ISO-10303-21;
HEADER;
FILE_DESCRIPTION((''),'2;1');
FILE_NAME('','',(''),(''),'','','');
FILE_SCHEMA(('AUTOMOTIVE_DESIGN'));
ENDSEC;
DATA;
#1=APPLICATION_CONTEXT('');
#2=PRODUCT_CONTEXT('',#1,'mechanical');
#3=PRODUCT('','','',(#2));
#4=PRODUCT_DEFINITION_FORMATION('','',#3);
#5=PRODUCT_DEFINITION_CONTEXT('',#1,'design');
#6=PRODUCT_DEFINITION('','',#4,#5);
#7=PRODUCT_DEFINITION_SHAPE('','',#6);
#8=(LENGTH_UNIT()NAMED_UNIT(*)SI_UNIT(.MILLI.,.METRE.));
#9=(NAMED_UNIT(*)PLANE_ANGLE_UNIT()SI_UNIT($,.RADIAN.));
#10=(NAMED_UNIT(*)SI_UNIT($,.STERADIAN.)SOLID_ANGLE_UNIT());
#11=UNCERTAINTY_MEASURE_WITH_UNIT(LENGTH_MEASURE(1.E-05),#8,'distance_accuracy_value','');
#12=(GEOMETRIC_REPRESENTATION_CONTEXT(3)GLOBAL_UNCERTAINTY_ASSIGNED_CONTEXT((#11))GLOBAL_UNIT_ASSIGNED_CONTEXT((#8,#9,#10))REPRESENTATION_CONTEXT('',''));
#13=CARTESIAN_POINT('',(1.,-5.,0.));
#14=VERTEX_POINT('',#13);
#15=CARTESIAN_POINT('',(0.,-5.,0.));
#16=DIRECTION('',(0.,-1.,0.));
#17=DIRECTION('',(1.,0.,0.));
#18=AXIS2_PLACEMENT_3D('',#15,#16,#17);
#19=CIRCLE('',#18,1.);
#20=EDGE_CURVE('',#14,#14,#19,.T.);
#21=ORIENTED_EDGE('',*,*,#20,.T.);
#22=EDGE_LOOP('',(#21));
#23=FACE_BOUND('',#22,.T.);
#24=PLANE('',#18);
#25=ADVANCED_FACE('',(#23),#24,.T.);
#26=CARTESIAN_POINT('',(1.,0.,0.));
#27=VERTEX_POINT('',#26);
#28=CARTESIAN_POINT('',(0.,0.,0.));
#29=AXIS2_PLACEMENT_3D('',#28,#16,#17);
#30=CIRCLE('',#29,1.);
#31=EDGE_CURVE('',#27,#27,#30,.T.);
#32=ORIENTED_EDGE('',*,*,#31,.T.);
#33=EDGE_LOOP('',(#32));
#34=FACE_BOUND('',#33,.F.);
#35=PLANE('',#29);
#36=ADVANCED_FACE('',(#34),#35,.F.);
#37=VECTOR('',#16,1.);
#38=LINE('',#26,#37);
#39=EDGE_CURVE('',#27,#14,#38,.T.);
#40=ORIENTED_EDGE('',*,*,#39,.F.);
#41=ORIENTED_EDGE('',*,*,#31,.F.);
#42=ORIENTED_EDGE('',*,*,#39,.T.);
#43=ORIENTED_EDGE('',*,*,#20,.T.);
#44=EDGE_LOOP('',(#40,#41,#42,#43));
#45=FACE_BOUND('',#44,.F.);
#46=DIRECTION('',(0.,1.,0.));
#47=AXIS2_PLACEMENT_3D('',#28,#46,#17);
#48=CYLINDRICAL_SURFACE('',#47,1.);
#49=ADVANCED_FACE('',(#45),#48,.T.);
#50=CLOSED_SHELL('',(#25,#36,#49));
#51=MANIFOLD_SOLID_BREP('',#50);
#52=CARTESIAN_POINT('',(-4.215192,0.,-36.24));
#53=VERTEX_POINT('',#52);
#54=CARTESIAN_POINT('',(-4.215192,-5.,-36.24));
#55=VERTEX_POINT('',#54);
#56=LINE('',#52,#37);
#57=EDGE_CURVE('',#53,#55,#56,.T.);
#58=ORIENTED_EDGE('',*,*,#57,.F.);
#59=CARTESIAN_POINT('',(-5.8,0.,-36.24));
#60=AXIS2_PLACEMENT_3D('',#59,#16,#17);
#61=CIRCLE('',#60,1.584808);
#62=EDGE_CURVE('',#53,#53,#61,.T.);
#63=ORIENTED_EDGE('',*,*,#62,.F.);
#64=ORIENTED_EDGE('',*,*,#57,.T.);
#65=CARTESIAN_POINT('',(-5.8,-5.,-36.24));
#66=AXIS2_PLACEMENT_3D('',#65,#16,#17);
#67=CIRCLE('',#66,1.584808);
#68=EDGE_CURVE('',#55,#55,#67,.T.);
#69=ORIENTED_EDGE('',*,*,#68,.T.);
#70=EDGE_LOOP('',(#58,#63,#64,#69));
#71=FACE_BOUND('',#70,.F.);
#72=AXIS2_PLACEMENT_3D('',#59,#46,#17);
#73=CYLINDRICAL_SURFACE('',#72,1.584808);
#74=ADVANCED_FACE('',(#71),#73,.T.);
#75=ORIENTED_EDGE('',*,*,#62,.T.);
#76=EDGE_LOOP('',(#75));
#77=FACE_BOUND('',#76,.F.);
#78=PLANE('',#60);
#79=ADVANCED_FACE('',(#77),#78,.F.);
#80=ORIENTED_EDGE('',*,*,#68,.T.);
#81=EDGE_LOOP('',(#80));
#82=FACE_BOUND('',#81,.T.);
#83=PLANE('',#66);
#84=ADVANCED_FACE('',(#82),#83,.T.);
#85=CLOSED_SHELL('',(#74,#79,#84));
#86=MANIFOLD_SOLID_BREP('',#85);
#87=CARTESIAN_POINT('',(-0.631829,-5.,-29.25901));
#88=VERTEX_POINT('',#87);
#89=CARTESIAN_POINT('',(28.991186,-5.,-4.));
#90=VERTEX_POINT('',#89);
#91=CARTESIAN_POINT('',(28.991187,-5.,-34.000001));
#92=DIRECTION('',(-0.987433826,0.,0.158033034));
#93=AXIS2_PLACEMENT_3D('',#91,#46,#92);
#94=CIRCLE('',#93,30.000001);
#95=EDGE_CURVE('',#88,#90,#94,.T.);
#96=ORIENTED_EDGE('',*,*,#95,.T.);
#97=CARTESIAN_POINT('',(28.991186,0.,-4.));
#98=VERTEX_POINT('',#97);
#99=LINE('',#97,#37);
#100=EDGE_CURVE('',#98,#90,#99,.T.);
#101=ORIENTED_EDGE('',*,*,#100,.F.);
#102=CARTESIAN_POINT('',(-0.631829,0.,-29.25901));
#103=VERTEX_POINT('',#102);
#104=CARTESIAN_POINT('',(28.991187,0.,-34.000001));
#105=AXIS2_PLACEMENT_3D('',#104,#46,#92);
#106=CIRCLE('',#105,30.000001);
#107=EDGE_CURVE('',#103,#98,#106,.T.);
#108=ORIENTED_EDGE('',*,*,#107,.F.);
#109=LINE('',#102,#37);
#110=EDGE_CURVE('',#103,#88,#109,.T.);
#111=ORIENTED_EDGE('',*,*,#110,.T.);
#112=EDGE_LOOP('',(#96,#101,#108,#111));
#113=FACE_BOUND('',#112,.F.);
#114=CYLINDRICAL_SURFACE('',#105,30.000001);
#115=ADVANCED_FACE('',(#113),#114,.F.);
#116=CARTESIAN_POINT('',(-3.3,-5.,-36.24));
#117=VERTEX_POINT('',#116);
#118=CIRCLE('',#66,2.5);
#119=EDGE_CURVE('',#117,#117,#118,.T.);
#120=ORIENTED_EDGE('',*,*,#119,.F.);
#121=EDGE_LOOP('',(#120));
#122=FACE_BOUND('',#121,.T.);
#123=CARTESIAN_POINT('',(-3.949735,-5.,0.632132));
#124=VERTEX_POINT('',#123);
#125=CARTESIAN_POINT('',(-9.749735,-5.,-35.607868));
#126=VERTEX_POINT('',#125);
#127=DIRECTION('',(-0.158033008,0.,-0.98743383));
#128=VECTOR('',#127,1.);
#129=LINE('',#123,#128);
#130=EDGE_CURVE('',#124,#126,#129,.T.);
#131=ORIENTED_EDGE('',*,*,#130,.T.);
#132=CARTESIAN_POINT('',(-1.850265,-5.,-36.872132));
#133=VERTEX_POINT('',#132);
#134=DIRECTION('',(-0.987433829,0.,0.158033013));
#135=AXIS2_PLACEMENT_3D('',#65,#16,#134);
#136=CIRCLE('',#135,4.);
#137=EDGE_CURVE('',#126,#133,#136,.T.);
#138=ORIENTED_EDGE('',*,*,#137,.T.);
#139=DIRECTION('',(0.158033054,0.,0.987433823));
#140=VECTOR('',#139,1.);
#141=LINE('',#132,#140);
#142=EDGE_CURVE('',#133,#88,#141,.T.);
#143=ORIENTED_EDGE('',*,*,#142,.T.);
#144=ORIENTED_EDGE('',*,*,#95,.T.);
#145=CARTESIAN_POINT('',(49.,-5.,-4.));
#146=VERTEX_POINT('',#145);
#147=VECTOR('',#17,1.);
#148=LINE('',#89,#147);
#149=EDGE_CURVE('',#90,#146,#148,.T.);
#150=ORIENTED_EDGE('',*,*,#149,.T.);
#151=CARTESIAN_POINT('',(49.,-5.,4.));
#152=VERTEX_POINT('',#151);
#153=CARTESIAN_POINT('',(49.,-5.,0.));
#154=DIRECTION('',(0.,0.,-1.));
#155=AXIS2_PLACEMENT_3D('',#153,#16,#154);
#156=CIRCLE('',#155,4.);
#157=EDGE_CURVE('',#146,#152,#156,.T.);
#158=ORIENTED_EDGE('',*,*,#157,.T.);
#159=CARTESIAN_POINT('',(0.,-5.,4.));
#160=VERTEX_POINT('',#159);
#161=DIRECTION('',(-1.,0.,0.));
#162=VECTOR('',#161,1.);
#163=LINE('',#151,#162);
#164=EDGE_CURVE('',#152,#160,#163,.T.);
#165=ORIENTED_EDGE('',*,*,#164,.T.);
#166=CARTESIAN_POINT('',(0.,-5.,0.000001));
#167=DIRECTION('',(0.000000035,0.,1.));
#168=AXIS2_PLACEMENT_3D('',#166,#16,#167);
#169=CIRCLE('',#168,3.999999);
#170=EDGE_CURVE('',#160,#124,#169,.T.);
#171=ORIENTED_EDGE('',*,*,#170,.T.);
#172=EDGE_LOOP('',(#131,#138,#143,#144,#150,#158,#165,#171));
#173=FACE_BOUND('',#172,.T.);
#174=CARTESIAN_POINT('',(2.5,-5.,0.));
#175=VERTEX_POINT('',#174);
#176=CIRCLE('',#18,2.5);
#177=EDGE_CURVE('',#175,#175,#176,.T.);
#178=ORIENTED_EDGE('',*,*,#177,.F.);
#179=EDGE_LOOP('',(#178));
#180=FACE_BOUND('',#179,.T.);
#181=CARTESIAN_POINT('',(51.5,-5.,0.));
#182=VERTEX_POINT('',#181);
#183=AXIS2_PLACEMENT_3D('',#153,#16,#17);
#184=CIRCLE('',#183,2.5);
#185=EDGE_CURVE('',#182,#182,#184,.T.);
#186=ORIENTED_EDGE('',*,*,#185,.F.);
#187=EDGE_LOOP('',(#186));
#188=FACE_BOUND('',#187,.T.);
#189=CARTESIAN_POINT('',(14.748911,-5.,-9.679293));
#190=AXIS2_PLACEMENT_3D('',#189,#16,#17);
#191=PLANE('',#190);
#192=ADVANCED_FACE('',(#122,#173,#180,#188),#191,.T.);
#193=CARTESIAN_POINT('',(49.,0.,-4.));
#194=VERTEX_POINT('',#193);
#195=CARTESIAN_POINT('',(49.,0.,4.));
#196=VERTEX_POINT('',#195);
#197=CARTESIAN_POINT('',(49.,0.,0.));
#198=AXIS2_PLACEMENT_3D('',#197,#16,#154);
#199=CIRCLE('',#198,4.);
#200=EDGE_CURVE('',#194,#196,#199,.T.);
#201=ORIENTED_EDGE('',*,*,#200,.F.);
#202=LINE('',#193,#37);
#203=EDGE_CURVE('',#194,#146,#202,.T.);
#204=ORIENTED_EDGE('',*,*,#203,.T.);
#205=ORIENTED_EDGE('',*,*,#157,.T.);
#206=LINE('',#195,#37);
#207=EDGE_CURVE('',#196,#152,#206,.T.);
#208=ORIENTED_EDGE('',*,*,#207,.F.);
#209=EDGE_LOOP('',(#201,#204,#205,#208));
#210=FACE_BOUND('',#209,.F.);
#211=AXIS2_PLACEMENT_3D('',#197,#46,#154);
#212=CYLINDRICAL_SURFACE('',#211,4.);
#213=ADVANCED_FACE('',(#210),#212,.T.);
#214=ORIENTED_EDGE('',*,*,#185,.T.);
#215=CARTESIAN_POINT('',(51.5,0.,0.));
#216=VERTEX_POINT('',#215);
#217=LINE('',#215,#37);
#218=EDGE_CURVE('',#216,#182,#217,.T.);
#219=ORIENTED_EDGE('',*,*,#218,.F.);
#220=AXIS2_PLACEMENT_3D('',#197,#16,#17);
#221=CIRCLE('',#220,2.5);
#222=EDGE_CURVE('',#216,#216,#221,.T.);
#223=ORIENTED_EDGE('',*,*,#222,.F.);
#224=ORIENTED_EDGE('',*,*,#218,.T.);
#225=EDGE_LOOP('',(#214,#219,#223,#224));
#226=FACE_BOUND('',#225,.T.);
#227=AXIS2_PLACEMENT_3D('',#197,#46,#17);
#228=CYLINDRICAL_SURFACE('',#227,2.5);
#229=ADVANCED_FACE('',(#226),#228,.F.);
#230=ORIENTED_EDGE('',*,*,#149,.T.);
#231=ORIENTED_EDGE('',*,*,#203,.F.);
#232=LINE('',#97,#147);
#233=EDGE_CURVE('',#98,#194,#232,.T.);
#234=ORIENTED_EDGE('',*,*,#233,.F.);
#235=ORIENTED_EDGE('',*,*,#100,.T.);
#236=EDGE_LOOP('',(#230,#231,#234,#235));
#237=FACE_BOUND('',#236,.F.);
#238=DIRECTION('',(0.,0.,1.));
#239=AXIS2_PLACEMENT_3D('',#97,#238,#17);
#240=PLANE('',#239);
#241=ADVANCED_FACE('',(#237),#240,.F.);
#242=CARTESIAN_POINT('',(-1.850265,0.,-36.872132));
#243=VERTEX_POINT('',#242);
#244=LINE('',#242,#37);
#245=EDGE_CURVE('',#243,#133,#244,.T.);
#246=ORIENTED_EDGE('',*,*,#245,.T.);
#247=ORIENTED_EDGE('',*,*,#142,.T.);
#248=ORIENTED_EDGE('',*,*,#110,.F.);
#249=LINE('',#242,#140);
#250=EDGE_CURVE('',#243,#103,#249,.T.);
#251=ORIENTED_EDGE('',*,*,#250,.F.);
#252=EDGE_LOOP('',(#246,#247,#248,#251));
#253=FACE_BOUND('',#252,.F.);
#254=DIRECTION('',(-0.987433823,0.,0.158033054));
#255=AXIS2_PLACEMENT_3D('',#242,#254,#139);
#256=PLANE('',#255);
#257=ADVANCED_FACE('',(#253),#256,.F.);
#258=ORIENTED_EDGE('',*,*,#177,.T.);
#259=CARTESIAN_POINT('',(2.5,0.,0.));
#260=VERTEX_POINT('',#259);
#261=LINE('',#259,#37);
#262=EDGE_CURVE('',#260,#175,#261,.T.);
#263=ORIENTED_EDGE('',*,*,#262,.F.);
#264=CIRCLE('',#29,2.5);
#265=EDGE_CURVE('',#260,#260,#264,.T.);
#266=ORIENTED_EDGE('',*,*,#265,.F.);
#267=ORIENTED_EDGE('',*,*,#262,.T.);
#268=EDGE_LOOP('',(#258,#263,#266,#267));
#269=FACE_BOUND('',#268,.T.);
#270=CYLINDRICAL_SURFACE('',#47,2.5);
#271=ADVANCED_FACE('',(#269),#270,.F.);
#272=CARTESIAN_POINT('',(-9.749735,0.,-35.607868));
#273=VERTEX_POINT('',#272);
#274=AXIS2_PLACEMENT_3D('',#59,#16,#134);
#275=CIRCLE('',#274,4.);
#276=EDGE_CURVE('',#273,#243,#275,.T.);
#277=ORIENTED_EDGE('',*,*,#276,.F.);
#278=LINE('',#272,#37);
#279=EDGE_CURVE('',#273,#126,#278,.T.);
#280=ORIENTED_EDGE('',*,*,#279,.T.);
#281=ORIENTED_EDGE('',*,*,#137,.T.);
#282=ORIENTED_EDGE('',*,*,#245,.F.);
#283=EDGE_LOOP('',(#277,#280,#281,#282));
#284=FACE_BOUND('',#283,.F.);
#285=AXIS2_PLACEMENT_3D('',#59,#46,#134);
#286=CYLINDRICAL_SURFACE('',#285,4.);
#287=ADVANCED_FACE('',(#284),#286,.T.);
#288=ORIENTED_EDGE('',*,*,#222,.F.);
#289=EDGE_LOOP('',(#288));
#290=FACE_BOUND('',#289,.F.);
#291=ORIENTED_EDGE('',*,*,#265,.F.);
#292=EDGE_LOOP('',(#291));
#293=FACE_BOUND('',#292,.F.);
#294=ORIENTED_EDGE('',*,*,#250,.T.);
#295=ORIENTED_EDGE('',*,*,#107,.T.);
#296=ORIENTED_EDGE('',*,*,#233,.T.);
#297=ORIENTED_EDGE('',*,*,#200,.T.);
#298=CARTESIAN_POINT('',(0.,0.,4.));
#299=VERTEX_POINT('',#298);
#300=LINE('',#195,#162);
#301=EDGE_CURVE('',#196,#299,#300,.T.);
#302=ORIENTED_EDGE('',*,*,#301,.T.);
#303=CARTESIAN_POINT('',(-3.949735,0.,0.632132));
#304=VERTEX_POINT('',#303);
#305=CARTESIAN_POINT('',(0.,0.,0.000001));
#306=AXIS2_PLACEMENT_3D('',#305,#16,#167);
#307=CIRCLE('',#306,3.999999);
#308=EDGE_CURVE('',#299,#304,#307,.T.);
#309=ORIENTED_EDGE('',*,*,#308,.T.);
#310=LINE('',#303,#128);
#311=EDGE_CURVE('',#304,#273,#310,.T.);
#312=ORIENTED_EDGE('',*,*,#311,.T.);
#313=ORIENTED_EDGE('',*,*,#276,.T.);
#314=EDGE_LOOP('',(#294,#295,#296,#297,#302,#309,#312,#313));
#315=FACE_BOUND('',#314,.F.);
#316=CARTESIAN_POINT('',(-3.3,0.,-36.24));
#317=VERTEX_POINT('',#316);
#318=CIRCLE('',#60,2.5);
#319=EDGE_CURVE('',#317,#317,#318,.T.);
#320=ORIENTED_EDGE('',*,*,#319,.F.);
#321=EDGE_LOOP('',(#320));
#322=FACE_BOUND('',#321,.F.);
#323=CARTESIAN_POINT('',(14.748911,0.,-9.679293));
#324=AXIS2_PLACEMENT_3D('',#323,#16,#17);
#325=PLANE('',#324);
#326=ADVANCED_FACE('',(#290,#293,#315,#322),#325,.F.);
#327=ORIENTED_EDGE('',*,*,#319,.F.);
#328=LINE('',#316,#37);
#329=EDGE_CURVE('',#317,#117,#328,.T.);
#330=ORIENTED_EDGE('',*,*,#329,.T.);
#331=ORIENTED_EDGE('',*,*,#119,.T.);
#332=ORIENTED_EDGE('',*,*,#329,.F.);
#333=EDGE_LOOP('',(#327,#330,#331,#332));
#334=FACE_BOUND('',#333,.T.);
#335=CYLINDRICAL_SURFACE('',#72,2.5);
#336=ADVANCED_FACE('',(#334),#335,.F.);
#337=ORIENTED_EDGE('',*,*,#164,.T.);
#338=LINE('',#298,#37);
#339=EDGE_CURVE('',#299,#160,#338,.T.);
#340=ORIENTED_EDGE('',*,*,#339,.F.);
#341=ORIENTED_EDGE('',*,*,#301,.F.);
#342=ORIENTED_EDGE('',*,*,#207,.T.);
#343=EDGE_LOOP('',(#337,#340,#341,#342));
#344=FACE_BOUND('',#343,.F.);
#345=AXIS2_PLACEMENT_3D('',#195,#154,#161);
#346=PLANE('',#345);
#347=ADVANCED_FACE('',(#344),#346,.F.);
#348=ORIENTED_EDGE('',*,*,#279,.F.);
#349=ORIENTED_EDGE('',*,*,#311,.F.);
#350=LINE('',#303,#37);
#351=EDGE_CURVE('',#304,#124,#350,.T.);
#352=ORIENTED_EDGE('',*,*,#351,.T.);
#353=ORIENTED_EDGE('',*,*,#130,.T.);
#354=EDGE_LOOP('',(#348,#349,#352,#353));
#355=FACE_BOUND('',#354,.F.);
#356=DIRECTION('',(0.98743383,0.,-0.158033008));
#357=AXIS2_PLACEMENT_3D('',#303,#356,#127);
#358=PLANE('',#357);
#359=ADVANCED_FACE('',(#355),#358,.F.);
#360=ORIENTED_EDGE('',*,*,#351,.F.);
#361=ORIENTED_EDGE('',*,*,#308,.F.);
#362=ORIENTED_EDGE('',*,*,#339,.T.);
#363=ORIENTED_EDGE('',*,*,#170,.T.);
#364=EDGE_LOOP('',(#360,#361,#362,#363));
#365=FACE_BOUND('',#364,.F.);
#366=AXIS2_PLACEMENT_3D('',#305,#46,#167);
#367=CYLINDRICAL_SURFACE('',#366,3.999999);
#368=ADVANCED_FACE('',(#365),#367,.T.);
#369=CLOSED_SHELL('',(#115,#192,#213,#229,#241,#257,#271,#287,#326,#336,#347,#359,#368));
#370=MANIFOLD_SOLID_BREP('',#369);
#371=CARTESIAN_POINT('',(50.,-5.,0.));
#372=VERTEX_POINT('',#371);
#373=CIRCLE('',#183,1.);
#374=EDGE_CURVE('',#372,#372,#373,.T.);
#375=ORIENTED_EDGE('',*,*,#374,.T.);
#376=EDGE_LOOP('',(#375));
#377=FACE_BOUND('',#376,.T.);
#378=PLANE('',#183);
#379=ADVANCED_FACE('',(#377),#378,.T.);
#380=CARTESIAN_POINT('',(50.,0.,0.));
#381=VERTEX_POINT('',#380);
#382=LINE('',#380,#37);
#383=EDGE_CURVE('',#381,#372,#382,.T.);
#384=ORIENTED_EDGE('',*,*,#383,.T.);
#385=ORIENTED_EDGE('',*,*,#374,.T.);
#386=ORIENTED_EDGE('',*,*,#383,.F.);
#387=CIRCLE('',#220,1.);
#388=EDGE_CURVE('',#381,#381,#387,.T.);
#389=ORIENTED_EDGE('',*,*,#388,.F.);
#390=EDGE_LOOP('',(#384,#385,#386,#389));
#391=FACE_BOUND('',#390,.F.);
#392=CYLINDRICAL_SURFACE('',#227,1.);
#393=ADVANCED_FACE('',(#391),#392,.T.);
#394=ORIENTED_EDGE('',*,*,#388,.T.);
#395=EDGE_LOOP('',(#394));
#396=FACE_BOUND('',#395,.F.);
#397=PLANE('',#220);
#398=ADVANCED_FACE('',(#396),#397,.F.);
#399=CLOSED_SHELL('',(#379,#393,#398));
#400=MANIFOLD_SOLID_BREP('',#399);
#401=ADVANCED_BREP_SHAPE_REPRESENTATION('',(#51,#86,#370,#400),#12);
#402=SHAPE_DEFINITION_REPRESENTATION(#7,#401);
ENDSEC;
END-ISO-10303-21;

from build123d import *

# Parameters (mm, degrees)
F0_R     = 2.5
F1_DEPTH = 5
F2_R     = 1
F2_R_2   = 1.584808
F3_DEPTH = 5


with BuildPart() as f1:
    # F0 (on Front) → F1 (new body)
    with BuildSketch(Plane.XZ):
        with BuildLine():
            Line((49, 4), (0, 4))
            ThreePointArc((0, 4), (-2.59533, 3.043725), (-3.949735, 0.632132))
            Line((-3.949735, 0.632132), (-9.749735, -35.607868))
            ThreePointArc((-9.749735, -35.607868), (-6.432132, -40.189735), (-1.850265, -36.872132))
            Line((-1.850265, -36.872132), (-0.631829, -29.25901))
            ThreePointArc((-0.631829, -29.25901), (9.526214, -11.17206), (28.991186, -4))
            Line((28.991186, -4), (49, -4))
            ThreePointArc((49, -4), (53, 0), (49, 4))
        make_face()
        with Locations((-5.8, -36.24)):
            Circle(F0_R, mode=Mode.SUBTRACT)
        Circle(F0_R, mode=Mode.SUBTRACT)
        with Locations((49, 0)):
            Circle(F0_R, mode=Mode.SUBTRACT)
    extrude(amount=F1_DEPTH)


with BuildPart() as f3:
    # F2 (on Front) → F3 (new body)
    with BuildSketch(Plane.XZ):
        Circle(F2_R)
        with Locations((-5.8, -36.24)):
            Circle(F2_R_2)
        with Locations((49, 0)):
            Circle(F2_R)
    extrude(amount=F3_DEPTH)


solid = Compound([f1.part, f3.part])
